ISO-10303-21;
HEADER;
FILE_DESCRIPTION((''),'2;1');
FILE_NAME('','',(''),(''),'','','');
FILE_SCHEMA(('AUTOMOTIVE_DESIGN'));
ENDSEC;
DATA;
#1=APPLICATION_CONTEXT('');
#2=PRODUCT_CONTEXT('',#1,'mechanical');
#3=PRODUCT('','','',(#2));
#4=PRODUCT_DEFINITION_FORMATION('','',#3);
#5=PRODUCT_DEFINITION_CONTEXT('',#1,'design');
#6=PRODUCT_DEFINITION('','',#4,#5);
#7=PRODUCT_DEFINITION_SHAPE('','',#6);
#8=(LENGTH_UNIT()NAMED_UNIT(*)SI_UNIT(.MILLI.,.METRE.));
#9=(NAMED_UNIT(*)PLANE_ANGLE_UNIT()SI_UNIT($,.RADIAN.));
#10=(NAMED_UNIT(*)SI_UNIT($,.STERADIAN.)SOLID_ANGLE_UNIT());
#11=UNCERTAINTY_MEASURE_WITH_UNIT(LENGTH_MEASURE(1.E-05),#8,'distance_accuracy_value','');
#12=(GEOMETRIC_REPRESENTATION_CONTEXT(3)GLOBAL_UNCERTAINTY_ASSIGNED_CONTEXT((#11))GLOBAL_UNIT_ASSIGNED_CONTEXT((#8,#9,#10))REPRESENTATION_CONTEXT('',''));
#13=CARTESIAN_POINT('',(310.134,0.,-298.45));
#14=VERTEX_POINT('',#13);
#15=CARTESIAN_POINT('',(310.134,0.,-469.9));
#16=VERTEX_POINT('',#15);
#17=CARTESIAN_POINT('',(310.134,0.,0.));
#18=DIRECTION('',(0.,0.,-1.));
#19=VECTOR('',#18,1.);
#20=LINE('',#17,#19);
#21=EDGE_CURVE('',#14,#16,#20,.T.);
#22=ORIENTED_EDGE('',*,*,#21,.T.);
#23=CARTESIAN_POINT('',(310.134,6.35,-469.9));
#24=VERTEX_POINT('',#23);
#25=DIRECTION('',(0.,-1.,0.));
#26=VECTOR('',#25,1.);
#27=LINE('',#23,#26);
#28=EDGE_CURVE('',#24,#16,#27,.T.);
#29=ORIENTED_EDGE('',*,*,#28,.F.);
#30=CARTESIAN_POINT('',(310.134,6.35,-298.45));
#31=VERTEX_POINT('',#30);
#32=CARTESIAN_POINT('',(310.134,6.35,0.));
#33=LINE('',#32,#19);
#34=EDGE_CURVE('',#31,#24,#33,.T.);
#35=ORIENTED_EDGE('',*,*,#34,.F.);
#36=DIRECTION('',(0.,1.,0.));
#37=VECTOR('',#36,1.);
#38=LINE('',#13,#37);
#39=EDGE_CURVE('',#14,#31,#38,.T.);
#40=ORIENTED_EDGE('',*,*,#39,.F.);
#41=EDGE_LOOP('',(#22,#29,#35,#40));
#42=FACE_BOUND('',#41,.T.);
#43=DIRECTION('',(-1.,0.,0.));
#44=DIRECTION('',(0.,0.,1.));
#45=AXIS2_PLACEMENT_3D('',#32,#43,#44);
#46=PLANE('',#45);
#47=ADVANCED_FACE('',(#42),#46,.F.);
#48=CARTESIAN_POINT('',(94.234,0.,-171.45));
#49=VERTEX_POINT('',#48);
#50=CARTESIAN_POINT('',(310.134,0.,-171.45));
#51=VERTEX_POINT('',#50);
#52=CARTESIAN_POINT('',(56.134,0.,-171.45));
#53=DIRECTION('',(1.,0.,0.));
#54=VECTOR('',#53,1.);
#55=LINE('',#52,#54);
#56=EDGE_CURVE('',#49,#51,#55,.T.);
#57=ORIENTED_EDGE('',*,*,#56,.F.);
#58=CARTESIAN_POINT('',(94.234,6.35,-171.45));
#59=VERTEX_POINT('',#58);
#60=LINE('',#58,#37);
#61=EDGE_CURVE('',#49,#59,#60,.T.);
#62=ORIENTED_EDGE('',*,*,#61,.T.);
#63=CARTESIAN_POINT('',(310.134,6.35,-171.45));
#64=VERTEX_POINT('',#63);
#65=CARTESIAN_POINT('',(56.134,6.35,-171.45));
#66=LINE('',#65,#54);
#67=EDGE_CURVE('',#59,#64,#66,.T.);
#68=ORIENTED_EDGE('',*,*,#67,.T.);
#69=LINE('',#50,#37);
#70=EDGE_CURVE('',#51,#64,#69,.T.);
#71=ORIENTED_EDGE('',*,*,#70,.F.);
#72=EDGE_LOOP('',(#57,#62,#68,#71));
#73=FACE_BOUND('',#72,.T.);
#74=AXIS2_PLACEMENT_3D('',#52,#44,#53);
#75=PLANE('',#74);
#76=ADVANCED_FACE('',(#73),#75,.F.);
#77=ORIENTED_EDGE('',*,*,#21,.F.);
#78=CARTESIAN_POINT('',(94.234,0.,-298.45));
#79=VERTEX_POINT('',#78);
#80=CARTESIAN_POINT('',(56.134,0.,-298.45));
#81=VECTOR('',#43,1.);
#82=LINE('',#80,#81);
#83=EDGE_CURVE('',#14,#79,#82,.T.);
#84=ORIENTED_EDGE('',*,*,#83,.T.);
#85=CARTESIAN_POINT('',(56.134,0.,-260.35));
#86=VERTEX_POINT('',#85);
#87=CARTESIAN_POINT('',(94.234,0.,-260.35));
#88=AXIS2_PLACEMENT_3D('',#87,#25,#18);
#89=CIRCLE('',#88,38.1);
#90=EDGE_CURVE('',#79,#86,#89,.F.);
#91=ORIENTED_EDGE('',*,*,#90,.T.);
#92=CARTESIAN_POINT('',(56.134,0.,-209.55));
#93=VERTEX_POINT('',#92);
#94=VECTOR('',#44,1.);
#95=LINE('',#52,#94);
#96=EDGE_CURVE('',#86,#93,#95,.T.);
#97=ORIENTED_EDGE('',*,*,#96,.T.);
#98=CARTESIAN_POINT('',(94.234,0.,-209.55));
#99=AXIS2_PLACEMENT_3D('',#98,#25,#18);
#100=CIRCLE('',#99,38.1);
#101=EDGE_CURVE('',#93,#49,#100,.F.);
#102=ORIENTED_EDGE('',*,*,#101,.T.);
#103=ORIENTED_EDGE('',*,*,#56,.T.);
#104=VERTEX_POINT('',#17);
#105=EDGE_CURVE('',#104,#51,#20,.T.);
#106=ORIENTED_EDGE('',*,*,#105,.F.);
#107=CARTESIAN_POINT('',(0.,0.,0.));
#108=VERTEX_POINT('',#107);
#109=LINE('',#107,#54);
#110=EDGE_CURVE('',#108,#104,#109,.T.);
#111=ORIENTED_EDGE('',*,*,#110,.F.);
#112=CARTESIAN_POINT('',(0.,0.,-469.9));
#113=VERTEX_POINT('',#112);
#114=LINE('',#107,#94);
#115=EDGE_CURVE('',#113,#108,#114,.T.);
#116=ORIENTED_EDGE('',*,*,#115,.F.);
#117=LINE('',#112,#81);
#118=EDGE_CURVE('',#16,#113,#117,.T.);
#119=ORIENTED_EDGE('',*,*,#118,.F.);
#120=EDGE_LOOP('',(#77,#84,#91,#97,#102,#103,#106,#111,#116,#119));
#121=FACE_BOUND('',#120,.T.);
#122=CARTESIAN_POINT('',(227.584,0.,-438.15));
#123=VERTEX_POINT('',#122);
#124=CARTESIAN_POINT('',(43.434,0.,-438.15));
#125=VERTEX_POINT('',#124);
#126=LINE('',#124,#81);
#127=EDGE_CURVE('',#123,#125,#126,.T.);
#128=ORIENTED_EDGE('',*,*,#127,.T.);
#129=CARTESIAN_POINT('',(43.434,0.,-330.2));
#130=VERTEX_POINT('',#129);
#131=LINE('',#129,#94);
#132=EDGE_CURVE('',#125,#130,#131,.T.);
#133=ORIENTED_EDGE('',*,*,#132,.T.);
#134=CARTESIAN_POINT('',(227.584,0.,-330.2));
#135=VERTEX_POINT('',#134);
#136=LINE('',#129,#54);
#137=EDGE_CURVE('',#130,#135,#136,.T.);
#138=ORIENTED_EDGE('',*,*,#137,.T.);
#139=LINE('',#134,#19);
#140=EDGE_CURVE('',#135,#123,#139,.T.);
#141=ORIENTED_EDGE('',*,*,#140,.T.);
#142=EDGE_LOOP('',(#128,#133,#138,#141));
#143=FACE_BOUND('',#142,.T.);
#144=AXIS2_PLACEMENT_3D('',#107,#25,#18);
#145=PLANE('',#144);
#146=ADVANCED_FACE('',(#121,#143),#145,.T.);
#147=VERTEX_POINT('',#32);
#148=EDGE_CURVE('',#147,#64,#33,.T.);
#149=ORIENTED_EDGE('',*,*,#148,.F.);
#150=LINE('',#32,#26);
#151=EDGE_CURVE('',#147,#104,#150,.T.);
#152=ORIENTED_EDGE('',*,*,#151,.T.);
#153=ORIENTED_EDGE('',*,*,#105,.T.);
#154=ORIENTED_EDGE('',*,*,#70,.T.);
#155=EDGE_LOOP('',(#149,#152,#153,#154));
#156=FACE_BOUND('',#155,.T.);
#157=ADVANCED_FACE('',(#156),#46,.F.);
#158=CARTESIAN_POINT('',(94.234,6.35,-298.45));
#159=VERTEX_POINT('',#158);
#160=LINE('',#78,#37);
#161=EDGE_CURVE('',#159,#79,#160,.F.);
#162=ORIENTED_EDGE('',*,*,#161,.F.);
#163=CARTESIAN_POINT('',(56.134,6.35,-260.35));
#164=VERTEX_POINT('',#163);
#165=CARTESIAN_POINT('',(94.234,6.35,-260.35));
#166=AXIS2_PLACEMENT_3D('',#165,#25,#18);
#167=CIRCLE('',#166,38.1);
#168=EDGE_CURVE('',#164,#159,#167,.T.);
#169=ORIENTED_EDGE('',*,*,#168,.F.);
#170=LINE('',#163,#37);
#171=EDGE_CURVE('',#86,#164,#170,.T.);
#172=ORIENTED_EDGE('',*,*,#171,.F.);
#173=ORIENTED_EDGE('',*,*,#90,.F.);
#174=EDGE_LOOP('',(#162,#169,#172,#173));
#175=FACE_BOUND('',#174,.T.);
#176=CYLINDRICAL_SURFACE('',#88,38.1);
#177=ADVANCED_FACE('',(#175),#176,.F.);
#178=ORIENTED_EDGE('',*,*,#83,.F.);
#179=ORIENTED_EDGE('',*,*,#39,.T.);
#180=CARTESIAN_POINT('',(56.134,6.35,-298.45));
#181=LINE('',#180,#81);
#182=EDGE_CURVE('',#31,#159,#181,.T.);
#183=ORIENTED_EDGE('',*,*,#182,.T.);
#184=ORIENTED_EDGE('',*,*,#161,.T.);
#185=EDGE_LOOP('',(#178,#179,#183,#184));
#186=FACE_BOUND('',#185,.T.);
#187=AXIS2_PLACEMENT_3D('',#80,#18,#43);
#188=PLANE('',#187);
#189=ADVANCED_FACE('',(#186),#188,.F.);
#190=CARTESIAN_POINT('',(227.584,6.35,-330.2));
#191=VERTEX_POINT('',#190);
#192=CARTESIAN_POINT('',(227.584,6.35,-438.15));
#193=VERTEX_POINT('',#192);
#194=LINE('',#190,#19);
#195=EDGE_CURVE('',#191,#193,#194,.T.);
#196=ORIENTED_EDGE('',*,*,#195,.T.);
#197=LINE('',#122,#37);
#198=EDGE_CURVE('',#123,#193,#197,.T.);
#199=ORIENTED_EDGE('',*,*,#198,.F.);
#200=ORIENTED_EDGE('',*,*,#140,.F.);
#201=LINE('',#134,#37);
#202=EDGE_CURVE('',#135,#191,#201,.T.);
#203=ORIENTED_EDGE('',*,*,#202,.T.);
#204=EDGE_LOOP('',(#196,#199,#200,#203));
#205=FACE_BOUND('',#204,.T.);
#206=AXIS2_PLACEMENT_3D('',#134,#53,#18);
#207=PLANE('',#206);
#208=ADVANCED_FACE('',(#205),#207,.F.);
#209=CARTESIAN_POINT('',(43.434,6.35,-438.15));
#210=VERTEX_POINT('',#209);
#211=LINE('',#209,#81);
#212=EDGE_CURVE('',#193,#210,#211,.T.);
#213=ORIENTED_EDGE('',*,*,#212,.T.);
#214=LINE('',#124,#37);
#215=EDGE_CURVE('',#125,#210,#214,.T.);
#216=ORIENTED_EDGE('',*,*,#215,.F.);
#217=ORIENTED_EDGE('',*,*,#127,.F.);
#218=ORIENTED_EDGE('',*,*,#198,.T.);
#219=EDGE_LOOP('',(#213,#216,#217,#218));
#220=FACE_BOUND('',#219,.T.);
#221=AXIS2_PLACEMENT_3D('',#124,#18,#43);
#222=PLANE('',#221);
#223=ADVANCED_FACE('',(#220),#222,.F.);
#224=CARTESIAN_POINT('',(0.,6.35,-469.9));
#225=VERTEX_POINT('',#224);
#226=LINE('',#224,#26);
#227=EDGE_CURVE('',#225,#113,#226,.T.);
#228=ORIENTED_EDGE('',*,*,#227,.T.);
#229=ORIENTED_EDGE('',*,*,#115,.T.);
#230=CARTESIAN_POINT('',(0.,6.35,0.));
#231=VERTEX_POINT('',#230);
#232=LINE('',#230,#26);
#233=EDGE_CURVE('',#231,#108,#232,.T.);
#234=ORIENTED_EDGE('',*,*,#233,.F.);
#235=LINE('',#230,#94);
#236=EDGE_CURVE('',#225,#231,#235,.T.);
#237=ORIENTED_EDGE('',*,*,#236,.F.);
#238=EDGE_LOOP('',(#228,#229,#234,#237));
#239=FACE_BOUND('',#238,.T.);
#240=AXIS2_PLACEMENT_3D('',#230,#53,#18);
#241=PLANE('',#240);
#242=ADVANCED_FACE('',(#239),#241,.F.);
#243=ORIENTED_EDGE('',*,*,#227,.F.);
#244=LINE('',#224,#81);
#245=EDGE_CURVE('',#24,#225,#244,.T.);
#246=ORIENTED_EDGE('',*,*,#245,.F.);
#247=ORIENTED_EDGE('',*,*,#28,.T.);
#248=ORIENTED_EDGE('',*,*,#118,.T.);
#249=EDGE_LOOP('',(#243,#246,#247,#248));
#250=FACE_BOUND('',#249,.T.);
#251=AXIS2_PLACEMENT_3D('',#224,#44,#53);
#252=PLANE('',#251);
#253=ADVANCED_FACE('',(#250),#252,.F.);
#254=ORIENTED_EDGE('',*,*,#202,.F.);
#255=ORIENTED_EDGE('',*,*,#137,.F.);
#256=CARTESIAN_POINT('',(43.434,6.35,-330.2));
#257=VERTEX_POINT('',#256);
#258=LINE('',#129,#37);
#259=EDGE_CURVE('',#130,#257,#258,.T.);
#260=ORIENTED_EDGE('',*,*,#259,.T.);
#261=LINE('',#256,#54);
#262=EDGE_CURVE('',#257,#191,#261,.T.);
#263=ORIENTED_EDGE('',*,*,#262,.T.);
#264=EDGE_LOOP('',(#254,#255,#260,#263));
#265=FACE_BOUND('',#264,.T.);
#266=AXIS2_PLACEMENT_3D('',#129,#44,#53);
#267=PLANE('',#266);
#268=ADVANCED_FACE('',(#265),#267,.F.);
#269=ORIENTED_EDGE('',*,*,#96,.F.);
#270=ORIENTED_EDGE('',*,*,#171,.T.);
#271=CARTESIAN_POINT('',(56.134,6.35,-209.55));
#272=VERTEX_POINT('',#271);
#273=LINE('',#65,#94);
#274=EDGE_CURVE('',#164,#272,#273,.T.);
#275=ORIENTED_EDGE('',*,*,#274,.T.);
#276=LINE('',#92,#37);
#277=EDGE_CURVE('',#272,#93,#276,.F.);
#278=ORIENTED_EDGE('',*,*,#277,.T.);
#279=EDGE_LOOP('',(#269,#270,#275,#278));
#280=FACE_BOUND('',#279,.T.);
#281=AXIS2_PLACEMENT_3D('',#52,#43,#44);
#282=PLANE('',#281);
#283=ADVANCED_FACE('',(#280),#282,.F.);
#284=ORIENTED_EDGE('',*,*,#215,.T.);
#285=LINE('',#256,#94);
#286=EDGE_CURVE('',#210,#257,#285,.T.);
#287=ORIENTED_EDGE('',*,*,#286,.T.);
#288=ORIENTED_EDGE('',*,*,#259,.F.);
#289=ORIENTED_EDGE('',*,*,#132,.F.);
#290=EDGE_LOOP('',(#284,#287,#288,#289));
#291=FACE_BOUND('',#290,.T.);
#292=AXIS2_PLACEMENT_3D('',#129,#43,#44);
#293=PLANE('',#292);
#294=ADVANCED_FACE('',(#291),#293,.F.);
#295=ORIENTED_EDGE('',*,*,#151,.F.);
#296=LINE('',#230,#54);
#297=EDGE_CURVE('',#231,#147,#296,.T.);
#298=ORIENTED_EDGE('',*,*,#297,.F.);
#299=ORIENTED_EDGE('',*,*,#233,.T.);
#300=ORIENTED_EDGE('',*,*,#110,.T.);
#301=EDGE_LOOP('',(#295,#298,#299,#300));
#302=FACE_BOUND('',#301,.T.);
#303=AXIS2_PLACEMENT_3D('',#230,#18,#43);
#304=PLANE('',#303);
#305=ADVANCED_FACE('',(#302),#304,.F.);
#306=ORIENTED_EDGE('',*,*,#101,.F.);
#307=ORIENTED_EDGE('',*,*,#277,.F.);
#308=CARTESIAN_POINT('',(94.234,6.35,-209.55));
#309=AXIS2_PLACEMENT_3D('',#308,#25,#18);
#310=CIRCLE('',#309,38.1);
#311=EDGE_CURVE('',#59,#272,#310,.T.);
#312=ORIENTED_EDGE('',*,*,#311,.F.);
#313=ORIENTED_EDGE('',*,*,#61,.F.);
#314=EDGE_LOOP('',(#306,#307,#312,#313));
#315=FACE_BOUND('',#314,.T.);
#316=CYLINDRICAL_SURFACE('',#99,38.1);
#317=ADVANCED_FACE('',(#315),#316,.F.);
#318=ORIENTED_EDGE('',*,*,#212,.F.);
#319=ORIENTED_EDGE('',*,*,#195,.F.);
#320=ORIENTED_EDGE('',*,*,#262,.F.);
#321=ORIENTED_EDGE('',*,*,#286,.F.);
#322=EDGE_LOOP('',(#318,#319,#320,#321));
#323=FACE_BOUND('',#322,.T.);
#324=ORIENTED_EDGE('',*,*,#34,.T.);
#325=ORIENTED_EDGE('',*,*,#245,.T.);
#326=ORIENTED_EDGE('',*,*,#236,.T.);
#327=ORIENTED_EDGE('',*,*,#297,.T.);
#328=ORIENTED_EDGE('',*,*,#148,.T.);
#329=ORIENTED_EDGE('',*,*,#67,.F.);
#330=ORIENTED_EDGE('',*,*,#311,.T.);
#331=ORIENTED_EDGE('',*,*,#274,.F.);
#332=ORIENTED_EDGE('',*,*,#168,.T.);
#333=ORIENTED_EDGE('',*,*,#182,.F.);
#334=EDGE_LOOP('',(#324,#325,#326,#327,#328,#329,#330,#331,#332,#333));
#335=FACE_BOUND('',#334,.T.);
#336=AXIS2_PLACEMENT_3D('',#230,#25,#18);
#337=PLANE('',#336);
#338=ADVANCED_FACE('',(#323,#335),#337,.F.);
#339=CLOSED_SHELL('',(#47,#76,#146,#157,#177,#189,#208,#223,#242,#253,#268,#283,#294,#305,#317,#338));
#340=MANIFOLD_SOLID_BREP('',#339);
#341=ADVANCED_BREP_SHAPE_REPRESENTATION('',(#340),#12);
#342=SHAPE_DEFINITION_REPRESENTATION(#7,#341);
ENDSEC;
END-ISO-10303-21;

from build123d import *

# Parameters (mm, degrees)
SKETCH1_W           = 310.134
SKETCH1_H           = 469.9
BOSS_EXTRUDE1_DEPTH = 6.35
SKETCH2_W           = 254
SKETCH2_H           = 127
CUT_EXTRUDE1_DEPTH  = 564.053665698
FILLET1_R           = 38.1
SKETCH3_W           = 184.15
SKETCH3_H           = 107.95
CUT_EXTRUDE2_DEPTH  = 564.053665698


with BuildPart() as part:
    # Sketch1 → Boss-Extrude1 (new body)
    with BuildSketch(Plane(origin=(0, 0, 0), x_dir=(1, 0, 0), z_dir=(0, 1, 0))):
        with Locations((155.067, 234.95)):
            Rectangle(SKETCH1_W, SKETCH1_H)
    extrude(amount=BOSS_EXTRUDE1_DEPTH)

    # Sketch2 → Cut-Extrude1 (cut, through all)
    with BuildSketch(Plane(origin=(0, 6.35, 0), x_dir=(1, 0, 0), z_dir=(0, 1, 0))):
        with Locations((183.134, 234.95)):
            Rectangle(SKETCH2_W, SKETCH2_H)
    extrude(amount=-CUT_EXTRUDE1_DEPTH, mode=Mode.SUBTRACT)

    # Fillet1
    fillet1_edges = [part.edges().sort_by_distance(p)[0] for p in [
        (56.134, 3.175, -171.45),
        (56.134, 3.175, -298.45),
    ]]
    fillet(fillet1_edges, radius=FILLET1_R)

    # Sketch3 → Cut-Extrude2 (cut, through all)
    with BuildSketch(Plane(origin=(0, 6.35, 0), x_dir=(1, 0, 0), z_dir=(0, 1, 0))):
        with Locations((135.509, 384.175)):
            Rectangle(SKETCH3_W, SKETCH3_H)
    extrude(amount=-CUT_EXTRUDE2_DEPTH, mode=Mode.SUBTRACT)


solid = part.part
